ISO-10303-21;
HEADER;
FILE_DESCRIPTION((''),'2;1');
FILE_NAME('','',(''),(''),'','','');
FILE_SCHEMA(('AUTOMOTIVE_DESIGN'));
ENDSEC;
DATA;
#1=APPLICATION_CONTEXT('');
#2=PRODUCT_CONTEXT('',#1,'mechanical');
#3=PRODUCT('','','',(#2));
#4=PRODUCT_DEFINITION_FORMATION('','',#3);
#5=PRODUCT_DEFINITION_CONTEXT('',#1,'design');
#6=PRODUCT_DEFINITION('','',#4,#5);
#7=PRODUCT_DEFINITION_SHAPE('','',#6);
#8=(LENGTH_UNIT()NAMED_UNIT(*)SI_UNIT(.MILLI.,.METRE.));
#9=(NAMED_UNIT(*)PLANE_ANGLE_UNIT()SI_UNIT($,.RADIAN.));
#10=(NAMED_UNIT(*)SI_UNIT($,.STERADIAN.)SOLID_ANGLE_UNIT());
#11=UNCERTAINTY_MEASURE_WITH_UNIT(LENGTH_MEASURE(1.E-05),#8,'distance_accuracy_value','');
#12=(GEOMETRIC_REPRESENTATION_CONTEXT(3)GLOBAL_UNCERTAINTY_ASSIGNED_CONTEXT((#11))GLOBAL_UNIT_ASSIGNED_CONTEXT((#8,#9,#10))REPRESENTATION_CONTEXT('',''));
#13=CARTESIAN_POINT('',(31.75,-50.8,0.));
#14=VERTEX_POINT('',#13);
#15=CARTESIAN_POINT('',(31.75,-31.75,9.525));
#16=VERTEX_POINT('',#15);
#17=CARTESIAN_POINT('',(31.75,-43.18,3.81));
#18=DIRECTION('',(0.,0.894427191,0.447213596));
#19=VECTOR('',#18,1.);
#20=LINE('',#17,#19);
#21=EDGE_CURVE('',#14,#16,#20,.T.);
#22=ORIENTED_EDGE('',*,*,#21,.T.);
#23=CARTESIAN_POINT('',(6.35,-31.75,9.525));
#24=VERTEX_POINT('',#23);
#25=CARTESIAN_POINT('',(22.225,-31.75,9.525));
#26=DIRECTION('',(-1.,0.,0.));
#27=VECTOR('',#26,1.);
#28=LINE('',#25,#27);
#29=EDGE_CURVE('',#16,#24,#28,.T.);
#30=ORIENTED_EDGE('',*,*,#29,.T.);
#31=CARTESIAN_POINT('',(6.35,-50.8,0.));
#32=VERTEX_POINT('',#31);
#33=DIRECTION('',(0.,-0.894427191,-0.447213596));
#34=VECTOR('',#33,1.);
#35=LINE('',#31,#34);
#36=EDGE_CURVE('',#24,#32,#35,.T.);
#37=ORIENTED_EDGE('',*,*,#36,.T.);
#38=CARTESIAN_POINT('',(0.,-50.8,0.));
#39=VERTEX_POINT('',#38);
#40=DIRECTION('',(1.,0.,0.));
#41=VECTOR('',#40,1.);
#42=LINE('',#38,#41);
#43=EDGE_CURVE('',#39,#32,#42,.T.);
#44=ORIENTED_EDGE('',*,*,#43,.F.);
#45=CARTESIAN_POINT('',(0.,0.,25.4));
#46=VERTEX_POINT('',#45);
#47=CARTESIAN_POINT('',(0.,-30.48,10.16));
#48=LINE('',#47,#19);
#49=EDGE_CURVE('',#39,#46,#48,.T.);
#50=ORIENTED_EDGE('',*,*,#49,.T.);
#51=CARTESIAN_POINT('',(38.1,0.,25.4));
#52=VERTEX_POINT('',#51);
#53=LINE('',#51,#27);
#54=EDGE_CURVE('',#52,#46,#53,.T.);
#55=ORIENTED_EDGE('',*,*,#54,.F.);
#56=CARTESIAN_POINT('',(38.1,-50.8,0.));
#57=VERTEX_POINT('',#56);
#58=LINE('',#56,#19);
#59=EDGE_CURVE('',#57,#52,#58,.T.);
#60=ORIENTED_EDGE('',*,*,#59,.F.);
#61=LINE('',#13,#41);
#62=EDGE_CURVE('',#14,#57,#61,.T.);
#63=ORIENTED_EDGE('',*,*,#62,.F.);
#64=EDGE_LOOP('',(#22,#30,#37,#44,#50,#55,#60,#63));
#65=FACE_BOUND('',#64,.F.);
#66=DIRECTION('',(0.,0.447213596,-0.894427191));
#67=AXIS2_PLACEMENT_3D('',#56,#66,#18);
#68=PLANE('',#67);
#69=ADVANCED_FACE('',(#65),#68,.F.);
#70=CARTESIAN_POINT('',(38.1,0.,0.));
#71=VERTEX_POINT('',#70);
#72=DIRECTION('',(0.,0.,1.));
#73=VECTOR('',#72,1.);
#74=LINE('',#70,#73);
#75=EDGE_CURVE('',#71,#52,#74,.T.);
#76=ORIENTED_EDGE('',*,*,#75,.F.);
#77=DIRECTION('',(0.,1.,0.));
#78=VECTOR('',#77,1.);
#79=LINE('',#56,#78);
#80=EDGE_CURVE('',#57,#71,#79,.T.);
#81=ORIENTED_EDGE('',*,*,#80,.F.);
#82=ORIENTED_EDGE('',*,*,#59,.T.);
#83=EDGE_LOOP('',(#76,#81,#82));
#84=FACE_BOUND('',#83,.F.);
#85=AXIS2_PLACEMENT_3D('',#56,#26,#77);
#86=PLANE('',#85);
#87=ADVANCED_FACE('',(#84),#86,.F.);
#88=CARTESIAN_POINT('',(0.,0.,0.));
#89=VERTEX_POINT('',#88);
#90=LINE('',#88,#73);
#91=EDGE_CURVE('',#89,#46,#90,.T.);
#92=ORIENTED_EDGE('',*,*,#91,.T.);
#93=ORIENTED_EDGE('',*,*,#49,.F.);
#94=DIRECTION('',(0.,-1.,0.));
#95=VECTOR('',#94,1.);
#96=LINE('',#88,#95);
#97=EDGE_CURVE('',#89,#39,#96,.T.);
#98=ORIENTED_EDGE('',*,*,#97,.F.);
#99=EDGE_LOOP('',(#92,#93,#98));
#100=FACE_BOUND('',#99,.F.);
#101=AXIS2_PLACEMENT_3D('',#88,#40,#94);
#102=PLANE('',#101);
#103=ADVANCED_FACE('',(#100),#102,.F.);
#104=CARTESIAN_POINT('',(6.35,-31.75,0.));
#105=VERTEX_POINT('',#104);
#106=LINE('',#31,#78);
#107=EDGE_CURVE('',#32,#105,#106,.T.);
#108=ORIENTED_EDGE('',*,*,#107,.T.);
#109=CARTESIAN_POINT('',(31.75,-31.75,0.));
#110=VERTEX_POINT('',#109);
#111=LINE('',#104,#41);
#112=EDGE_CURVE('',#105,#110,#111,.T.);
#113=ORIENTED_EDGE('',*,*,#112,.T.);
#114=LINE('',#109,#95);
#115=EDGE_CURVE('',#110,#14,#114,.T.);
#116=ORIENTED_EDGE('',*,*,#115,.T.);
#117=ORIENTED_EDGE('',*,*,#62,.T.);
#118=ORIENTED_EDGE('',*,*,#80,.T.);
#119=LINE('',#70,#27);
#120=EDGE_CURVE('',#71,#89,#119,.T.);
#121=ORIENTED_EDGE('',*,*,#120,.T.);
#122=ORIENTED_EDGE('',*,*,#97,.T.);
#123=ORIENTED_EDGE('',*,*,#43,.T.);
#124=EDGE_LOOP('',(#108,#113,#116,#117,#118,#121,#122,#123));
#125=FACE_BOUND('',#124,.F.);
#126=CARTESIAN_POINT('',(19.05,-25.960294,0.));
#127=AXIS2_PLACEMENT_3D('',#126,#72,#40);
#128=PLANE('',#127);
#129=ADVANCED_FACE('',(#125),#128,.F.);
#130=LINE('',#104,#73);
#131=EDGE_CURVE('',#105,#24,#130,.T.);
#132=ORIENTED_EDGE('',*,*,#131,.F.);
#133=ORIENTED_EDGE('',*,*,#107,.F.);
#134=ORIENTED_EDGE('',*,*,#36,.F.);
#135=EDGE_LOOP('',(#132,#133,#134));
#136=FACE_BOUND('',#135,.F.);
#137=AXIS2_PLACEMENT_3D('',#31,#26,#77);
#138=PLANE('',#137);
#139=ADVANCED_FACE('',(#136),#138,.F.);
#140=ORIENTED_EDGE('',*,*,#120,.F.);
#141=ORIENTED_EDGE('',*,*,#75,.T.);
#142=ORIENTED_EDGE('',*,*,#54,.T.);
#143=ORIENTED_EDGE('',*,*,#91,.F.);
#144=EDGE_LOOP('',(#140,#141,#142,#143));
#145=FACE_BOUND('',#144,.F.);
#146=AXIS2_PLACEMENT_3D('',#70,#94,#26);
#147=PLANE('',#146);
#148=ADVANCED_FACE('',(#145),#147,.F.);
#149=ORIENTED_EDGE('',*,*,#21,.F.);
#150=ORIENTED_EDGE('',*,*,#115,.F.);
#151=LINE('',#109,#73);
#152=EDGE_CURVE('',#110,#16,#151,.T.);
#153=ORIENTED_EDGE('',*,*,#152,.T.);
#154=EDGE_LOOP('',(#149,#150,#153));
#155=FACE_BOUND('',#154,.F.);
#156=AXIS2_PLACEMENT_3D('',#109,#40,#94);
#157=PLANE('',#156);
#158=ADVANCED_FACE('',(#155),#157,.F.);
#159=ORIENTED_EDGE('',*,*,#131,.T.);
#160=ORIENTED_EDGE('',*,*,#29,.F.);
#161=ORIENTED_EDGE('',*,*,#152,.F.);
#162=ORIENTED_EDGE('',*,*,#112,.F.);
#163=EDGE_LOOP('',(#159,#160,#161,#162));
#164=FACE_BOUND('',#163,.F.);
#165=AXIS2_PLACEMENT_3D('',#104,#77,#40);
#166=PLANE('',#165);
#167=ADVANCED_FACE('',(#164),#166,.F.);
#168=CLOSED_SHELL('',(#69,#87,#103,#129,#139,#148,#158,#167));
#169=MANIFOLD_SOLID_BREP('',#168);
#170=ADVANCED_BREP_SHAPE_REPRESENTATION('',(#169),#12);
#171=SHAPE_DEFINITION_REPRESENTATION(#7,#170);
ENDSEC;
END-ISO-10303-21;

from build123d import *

# Parameters (mm, degrees)
F1_DEPTH = 25.4
F3_DEPTH = 38.101


with BuildPart() as f1:
    # F0 (on Top) → F1 (new body)
    with BuildSketch(Plane.XY):
        Polygon((38.1, 0), (0, 0), (0, -50.8), (6.35, -50.8), (6.35, -31.75), (31.75, -31.75), (31.75, -50.8), (38.1, -50.8), align=None)
    extrude(amount=F1_DEPTH)

    # F2 (on face) → F3 (cut, through all)
    with BuildSketch(Plane.YZ.offset(38.1)):
        Polygon((-50.8, 25.4), (-50.8, 0), (0, 25.4), align=None)
    extrude(amount=-F3_DEPTH, mode=Mode.SUBTRACT)


solid = f1.part
